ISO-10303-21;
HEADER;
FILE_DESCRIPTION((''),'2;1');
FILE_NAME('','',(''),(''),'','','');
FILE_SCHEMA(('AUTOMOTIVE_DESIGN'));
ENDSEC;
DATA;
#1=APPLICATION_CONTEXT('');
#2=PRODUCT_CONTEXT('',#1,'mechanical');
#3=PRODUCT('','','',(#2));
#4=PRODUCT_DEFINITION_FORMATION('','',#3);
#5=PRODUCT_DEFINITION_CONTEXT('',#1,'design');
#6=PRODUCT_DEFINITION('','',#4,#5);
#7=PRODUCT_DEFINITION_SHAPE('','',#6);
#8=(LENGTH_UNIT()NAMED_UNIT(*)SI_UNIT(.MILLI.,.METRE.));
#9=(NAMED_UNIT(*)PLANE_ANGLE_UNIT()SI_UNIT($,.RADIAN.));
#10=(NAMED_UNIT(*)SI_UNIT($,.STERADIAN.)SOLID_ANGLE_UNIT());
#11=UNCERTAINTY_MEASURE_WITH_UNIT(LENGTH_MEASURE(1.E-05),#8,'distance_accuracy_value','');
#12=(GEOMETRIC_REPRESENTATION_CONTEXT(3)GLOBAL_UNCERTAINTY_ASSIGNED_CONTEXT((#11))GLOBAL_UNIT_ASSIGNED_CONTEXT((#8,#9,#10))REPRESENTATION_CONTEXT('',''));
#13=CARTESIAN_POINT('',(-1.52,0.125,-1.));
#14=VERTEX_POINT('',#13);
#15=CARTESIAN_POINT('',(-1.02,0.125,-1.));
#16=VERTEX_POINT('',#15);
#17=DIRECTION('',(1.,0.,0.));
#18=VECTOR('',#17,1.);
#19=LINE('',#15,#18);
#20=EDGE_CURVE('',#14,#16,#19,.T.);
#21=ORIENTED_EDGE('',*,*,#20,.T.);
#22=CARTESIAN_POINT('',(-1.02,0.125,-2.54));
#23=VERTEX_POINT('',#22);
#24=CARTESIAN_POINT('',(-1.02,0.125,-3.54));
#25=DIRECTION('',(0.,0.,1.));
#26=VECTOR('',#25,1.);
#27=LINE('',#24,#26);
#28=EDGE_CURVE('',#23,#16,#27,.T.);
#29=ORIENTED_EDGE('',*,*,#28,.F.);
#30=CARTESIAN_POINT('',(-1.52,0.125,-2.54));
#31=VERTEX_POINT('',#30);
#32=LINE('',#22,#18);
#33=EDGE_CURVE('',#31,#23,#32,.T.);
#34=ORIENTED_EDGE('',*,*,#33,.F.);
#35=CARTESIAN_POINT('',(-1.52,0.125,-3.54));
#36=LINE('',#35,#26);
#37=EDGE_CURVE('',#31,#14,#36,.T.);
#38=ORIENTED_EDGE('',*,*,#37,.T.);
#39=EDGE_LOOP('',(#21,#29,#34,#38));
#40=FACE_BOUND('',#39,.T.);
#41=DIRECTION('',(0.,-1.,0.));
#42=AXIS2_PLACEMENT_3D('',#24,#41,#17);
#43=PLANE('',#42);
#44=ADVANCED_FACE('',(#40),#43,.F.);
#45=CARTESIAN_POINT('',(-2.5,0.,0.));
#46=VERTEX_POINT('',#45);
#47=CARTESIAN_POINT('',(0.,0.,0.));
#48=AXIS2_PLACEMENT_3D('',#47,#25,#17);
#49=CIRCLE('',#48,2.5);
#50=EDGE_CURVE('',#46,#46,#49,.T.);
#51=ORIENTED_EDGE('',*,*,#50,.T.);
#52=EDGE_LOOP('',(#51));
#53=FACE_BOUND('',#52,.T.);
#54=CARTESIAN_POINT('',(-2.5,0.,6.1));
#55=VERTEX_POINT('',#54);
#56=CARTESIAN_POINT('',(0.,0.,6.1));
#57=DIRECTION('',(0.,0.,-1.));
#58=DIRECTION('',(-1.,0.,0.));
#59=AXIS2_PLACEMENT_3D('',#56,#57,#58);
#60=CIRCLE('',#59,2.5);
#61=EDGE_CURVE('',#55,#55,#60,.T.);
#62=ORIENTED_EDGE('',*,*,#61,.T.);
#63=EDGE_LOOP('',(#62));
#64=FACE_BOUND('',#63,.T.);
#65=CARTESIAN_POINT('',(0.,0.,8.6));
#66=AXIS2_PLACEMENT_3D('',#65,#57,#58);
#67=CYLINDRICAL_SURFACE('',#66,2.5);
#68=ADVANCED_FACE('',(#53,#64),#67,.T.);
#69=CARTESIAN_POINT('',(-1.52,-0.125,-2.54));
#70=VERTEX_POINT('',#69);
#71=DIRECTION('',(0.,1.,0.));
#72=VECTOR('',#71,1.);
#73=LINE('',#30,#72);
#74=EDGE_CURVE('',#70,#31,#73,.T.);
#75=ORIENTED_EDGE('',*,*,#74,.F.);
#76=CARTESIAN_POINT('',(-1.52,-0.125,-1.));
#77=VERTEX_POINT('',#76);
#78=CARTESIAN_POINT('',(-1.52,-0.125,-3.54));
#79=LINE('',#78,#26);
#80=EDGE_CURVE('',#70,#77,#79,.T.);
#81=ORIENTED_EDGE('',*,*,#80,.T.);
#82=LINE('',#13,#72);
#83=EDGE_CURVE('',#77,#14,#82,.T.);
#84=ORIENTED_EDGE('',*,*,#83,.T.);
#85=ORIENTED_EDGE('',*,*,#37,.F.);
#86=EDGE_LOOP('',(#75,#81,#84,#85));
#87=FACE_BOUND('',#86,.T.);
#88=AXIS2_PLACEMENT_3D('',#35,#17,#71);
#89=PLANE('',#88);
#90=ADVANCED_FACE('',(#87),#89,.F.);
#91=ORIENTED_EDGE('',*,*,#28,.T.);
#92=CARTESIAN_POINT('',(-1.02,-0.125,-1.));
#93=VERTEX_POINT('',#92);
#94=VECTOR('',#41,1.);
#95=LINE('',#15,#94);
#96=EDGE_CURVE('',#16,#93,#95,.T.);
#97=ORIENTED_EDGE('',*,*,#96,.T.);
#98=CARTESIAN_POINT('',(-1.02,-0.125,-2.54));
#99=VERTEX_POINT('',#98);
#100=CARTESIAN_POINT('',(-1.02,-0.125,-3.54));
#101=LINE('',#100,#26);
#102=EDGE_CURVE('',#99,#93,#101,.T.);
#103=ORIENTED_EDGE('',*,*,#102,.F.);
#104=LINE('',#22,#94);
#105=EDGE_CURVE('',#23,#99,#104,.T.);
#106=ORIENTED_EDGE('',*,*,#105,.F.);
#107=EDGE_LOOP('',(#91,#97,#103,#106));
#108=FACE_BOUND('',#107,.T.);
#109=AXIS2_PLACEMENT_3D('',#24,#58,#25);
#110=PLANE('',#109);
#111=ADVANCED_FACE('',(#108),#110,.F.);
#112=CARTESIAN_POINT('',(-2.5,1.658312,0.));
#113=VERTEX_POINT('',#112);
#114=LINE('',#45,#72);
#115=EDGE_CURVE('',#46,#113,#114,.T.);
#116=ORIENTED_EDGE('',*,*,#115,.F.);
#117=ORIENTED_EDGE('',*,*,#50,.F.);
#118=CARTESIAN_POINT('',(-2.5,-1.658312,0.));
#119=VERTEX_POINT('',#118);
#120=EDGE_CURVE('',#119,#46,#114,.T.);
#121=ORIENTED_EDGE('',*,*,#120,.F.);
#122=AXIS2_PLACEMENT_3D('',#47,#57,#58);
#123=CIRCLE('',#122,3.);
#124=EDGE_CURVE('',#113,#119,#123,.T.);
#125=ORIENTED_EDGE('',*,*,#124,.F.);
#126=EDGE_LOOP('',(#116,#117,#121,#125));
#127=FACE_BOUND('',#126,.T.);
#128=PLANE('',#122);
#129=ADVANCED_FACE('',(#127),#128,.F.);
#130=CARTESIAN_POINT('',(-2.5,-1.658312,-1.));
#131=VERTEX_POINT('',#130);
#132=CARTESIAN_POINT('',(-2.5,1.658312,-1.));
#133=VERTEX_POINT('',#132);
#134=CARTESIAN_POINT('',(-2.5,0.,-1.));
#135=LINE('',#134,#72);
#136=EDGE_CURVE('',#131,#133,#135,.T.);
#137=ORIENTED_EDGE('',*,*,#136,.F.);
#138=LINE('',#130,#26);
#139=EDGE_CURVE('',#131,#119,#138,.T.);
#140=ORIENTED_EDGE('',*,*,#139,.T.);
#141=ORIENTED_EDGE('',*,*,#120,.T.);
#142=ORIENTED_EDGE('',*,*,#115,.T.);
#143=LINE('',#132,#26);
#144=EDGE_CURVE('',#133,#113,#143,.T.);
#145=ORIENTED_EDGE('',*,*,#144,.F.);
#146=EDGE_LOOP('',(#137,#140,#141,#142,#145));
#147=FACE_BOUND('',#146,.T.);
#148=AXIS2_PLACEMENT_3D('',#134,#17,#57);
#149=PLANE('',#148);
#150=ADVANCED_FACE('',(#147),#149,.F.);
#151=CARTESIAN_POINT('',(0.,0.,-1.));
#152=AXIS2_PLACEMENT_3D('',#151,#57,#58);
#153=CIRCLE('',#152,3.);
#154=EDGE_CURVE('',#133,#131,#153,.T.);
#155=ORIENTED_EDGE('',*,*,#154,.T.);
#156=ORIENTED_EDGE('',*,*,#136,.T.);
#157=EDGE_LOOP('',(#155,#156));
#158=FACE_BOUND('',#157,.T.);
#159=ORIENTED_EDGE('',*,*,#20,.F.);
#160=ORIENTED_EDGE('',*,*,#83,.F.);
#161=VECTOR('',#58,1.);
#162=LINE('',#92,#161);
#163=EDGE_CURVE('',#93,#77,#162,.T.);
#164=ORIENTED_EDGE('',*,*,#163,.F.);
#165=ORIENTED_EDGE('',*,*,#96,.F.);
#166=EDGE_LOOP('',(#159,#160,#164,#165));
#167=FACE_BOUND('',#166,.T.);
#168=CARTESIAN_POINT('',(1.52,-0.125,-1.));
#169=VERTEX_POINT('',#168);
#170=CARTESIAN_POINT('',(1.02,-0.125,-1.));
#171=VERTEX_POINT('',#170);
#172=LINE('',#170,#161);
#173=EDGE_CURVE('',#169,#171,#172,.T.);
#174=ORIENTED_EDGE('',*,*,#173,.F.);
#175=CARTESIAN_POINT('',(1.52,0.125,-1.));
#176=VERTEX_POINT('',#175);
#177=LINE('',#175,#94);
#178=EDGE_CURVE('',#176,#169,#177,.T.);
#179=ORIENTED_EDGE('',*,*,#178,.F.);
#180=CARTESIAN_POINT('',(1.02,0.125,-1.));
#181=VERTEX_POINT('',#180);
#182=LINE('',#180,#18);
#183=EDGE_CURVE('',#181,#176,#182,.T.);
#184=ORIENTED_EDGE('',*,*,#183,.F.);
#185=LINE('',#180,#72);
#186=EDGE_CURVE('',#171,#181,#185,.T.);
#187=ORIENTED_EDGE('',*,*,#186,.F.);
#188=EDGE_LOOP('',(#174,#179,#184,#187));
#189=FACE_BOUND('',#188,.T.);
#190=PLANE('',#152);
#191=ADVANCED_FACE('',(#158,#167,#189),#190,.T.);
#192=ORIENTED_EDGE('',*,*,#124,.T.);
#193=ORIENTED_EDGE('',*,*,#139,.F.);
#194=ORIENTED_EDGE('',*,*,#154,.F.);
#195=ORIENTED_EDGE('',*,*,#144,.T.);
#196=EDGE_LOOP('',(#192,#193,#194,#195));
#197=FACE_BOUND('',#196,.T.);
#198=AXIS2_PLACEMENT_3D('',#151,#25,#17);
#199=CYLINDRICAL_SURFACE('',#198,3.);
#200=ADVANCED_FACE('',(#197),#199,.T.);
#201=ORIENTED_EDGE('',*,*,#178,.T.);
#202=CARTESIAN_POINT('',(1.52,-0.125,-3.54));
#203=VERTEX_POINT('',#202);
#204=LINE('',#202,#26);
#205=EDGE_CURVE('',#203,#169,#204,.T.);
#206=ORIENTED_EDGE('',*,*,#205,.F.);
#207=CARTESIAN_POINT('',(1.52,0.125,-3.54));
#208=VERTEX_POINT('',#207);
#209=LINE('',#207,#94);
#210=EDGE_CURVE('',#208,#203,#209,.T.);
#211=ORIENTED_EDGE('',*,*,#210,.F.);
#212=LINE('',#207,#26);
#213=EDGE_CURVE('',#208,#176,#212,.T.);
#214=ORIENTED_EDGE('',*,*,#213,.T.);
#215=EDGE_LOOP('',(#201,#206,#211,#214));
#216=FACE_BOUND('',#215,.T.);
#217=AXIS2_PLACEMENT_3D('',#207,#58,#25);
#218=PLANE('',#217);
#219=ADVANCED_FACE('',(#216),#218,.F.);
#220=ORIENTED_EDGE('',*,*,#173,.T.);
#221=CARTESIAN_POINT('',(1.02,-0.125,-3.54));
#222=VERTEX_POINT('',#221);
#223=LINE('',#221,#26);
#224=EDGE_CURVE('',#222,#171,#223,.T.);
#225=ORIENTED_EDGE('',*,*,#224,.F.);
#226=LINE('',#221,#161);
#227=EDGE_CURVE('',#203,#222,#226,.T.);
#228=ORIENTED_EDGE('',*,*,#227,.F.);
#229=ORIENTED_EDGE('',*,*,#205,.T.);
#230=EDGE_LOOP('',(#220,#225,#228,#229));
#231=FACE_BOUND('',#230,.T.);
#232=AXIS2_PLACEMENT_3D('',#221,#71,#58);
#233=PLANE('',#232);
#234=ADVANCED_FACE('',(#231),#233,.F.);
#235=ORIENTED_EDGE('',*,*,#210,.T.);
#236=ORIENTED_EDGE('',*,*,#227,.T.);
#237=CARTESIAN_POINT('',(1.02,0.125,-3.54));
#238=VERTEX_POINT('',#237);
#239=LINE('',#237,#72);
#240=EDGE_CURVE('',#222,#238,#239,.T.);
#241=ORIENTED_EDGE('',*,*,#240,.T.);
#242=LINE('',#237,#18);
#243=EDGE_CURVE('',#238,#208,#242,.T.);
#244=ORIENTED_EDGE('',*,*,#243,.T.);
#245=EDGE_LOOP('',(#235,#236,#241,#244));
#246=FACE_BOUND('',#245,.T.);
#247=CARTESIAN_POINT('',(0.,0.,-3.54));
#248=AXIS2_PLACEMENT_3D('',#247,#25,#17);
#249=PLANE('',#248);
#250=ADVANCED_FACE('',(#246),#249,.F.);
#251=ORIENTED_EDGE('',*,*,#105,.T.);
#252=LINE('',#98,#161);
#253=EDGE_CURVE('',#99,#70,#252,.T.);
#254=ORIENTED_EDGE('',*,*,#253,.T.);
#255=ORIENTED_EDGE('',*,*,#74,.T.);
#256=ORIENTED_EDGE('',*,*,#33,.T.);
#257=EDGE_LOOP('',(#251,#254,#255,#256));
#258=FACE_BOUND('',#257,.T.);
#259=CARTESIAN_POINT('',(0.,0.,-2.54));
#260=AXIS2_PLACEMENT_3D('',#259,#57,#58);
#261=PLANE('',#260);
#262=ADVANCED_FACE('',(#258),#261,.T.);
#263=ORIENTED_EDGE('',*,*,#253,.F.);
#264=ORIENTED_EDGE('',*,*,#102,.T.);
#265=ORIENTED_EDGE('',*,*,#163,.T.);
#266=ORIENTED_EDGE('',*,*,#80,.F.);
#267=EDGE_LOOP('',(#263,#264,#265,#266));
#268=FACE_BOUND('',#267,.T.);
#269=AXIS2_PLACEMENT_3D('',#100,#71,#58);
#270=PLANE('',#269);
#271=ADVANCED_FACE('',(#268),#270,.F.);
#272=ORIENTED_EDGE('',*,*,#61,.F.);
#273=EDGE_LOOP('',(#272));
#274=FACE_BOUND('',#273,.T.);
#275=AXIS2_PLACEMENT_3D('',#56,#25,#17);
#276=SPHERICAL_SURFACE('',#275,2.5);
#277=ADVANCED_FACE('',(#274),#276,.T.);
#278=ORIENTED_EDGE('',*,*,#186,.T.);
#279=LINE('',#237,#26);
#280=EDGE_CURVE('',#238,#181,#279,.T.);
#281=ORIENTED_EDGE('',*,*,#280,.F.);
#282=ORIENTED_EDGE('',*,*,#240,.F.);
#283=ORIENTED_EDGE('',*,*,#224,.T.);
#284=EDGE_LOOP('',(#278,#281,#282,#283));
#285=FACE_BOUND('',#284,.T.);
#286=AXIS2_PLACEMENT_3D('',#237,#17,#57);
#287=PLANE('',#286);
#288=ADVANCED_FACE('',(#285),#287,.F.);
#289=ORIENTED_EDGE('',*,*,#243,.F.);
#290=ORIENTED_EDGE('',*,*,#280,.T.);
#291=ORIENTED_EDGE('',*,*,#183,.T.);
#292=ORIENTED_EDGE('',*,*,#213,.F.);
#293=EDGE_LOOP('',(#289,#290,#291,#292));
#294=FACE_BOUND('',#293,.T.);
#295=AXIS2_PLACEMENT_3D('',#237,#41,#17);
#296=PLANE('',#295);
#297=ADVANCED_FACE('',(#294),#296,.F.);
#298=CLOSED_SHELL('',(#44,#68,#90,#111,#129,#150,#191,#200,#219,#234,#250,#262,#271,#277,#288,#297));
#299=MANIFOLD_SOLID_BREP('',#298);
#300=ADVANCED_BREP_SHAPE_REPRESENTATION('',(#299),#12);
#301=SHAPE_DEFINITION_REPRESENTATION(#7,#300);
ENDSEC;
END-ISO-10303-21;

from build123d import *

# Parameters (mm, degrees)
ESBO_O1_R                = 2.5
RESSALTO_EXTRUS_O1_DEPTH = 8.6
RESSALTO_EXTRUS_O2_DEPTH = 1
FILETE1_R                = 2.5
ESBO_O3_W                = 0.5
ESBO_O3_H                = 0.25
RESSALTO_EXTRUS_O3_DEPTH = 2.54
ESBO_O4_W                = 0.935535929
ESBO_O4_H                = 0.753626165
CORTE_EXTRUS_O1_DEPTH    = 1


with BuildPart() as part:
    # Esboço1 → Ressalto-extrusão1 (new body)
    with BuildSketch(Plane.XY):
        with Locations(Location((0, 0, 0), (0, 0, 180))):
            Circle(ESBO_O1_R)
    extrude(amount=RESSALTO_EXTRUS_O1_DEPTH)

    # Esboço2 → Ressalto-extrusão2 (add)
    with BuildSketch(Plane(origin=(0, 0, 0), x_dir=(-1, 0, 0), z_dir=(0, 0, -1))):
        with BuildLine():
            Line((2.5, 0), (2.5, 1.658312395))
            ThreePointArc((2.5, 1.658312395), (-3, 0), (2.5, -1.658312395))
            Line((2.5, -1.658312395), (2.5, 0))
        make_face()
    extrude(amount=RESSALTO_EXTRUS_O2_DEPTH)

    # Filete1
    filete1_edges = [part.edges().sort_by_distance(p)[0] for p in [
        (2.5, 0, 8.6),
    ]]
    fillet(filete1_edges, radius=FILETE1_R)

    # Esboço3 → Ressalto-extrusão3 (add)
    with BuildSketch(Plane(origin=(0, 0, -1), x_dir=(-1, 0, 0), z_dir=(0, 0, -1))):
        with Locations((1.27, 0)):
            Rectangle(ESBO_O3_W, ESBO_O3_H)
        with Locations((-1.27, 0)):
            Rectangle(ESBO_O3_W, ESBO_O3_H)
    extrude(amount=RESSALTO_EXTRUS_O3_DEPTH)

    # Esboço4 → Corte-extrusão1 (cut)
    with BuildSketch(Plane(origin=(0, 0, -3.54), x_dir=(-1, 0, 0), z_dir=(0, 0, -1))):
        with Locations((1.289457258, 0.005956527)):
            Rectangle(ESBO_O4_W, ESBO_O4_H)
    extrude(amount=-CORTE_EXTRUS_O1_DEPTH, mode=Mode.SUBTRACT)


solid = part.part
